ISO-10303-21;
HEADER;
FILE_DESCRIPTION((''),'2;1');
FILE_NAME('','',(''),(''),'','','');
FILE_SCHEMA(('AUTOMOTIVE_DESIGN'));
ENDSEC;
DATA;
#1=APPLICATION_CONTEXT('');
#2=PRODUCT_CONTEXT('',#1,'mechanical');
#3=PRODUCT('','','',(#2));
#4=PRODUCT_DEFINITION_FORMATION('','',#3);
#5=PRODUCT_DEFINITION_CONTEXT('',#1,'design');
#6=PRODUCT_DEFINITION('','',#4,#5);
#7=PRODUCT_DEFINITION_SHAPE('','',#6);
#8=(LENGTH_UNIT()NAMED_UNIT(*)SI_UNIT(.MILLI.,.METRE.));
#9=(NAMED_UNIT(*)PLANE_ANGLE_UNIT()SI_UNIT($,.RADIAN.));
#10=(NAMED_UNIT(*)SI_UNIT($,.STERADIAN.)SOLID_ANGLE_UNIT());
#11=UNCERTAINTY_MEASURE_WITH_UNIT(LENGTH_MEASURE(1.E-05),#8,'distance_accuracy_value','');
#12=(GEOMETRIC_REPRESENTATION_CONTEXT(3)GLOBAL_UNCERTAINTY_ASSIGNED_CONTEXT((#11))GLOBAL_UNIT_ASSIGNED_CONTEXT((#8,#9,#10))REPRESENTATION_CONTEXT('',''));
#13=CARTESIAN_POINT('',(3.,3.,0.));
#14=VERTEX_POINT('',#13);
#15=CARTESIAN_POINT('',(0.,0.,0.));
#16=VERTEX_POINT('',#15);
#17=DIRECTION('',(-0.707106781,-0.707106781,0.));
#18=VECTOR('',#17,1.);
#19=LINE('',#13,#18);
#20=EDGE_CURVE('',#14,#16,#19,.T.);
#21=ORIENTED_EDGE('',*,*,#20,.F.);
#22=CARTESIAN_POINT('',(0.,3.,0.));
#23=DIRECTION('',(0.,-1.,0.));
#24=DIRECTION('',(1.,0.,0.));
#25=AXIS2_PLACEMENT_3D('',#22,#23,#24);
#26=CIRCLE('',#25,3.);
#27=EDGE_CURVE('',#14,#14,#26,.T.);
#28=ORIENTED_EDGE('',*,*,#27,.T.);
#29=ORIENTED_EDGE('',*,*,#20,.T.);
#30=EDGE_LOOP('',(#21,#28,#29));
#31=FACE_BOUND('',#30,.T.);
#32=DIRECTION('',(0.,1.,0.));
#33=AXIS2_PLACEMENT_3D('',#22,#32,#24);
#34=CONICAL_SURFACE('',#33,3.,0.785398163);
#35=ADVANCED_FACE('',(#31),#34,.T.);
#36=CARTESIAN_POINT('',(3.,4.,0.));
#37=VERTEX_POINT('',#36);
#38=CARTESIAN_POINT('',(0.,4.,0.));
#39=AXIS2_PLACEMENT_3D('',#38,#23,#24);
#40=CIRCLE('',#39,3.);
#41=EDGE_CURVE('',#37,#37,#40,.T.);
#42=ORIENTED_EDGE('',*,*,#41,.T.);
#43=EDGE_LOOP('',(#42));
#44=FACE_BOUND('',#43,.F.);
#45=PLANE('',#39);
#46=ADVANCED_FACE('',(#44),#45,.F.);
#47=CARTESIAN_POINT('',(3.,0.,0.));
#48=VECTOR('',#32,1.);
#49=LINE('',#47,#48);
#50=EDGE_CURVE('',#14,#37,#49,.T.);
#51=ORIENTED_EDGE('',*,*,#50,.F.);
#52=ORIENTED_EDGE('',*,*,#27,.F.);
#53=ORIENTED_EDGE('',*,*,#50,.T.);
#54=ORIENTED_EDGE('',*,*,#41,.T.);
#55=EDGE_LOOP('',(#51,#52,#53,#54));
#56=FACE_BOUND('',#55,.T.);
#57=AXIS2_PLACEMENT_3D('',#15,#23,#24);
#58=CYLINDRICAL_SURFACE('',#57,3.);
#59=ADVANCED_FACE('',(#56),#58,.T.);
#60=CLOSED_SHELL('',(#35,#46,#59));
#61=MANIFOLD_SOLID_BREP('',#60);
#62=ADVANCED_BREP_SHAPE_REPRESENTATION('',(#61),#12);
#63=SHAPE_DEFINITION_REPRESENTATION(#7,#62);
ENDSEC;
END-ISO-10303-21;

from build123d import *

# Parameters (mm, degrees)
F0_R     = 3
F1_DEPTH = 4
F2_SIZE  = 3


with BuildPart() as f1:
    # F0 (on Front) → F1 (new body)
    with BuildSketch(Plane.XZ):
        Circle(F0_R)
    extrude(amount=-F1_DEPTH)

    # F2
    f2_edges = [f1.edges().sort_by_distance(p)[0] for p in [
        (-3, 0, 0),
    ]]
    chamfer(f2_edges, length=F2_SIZE)


solid = f1.part
